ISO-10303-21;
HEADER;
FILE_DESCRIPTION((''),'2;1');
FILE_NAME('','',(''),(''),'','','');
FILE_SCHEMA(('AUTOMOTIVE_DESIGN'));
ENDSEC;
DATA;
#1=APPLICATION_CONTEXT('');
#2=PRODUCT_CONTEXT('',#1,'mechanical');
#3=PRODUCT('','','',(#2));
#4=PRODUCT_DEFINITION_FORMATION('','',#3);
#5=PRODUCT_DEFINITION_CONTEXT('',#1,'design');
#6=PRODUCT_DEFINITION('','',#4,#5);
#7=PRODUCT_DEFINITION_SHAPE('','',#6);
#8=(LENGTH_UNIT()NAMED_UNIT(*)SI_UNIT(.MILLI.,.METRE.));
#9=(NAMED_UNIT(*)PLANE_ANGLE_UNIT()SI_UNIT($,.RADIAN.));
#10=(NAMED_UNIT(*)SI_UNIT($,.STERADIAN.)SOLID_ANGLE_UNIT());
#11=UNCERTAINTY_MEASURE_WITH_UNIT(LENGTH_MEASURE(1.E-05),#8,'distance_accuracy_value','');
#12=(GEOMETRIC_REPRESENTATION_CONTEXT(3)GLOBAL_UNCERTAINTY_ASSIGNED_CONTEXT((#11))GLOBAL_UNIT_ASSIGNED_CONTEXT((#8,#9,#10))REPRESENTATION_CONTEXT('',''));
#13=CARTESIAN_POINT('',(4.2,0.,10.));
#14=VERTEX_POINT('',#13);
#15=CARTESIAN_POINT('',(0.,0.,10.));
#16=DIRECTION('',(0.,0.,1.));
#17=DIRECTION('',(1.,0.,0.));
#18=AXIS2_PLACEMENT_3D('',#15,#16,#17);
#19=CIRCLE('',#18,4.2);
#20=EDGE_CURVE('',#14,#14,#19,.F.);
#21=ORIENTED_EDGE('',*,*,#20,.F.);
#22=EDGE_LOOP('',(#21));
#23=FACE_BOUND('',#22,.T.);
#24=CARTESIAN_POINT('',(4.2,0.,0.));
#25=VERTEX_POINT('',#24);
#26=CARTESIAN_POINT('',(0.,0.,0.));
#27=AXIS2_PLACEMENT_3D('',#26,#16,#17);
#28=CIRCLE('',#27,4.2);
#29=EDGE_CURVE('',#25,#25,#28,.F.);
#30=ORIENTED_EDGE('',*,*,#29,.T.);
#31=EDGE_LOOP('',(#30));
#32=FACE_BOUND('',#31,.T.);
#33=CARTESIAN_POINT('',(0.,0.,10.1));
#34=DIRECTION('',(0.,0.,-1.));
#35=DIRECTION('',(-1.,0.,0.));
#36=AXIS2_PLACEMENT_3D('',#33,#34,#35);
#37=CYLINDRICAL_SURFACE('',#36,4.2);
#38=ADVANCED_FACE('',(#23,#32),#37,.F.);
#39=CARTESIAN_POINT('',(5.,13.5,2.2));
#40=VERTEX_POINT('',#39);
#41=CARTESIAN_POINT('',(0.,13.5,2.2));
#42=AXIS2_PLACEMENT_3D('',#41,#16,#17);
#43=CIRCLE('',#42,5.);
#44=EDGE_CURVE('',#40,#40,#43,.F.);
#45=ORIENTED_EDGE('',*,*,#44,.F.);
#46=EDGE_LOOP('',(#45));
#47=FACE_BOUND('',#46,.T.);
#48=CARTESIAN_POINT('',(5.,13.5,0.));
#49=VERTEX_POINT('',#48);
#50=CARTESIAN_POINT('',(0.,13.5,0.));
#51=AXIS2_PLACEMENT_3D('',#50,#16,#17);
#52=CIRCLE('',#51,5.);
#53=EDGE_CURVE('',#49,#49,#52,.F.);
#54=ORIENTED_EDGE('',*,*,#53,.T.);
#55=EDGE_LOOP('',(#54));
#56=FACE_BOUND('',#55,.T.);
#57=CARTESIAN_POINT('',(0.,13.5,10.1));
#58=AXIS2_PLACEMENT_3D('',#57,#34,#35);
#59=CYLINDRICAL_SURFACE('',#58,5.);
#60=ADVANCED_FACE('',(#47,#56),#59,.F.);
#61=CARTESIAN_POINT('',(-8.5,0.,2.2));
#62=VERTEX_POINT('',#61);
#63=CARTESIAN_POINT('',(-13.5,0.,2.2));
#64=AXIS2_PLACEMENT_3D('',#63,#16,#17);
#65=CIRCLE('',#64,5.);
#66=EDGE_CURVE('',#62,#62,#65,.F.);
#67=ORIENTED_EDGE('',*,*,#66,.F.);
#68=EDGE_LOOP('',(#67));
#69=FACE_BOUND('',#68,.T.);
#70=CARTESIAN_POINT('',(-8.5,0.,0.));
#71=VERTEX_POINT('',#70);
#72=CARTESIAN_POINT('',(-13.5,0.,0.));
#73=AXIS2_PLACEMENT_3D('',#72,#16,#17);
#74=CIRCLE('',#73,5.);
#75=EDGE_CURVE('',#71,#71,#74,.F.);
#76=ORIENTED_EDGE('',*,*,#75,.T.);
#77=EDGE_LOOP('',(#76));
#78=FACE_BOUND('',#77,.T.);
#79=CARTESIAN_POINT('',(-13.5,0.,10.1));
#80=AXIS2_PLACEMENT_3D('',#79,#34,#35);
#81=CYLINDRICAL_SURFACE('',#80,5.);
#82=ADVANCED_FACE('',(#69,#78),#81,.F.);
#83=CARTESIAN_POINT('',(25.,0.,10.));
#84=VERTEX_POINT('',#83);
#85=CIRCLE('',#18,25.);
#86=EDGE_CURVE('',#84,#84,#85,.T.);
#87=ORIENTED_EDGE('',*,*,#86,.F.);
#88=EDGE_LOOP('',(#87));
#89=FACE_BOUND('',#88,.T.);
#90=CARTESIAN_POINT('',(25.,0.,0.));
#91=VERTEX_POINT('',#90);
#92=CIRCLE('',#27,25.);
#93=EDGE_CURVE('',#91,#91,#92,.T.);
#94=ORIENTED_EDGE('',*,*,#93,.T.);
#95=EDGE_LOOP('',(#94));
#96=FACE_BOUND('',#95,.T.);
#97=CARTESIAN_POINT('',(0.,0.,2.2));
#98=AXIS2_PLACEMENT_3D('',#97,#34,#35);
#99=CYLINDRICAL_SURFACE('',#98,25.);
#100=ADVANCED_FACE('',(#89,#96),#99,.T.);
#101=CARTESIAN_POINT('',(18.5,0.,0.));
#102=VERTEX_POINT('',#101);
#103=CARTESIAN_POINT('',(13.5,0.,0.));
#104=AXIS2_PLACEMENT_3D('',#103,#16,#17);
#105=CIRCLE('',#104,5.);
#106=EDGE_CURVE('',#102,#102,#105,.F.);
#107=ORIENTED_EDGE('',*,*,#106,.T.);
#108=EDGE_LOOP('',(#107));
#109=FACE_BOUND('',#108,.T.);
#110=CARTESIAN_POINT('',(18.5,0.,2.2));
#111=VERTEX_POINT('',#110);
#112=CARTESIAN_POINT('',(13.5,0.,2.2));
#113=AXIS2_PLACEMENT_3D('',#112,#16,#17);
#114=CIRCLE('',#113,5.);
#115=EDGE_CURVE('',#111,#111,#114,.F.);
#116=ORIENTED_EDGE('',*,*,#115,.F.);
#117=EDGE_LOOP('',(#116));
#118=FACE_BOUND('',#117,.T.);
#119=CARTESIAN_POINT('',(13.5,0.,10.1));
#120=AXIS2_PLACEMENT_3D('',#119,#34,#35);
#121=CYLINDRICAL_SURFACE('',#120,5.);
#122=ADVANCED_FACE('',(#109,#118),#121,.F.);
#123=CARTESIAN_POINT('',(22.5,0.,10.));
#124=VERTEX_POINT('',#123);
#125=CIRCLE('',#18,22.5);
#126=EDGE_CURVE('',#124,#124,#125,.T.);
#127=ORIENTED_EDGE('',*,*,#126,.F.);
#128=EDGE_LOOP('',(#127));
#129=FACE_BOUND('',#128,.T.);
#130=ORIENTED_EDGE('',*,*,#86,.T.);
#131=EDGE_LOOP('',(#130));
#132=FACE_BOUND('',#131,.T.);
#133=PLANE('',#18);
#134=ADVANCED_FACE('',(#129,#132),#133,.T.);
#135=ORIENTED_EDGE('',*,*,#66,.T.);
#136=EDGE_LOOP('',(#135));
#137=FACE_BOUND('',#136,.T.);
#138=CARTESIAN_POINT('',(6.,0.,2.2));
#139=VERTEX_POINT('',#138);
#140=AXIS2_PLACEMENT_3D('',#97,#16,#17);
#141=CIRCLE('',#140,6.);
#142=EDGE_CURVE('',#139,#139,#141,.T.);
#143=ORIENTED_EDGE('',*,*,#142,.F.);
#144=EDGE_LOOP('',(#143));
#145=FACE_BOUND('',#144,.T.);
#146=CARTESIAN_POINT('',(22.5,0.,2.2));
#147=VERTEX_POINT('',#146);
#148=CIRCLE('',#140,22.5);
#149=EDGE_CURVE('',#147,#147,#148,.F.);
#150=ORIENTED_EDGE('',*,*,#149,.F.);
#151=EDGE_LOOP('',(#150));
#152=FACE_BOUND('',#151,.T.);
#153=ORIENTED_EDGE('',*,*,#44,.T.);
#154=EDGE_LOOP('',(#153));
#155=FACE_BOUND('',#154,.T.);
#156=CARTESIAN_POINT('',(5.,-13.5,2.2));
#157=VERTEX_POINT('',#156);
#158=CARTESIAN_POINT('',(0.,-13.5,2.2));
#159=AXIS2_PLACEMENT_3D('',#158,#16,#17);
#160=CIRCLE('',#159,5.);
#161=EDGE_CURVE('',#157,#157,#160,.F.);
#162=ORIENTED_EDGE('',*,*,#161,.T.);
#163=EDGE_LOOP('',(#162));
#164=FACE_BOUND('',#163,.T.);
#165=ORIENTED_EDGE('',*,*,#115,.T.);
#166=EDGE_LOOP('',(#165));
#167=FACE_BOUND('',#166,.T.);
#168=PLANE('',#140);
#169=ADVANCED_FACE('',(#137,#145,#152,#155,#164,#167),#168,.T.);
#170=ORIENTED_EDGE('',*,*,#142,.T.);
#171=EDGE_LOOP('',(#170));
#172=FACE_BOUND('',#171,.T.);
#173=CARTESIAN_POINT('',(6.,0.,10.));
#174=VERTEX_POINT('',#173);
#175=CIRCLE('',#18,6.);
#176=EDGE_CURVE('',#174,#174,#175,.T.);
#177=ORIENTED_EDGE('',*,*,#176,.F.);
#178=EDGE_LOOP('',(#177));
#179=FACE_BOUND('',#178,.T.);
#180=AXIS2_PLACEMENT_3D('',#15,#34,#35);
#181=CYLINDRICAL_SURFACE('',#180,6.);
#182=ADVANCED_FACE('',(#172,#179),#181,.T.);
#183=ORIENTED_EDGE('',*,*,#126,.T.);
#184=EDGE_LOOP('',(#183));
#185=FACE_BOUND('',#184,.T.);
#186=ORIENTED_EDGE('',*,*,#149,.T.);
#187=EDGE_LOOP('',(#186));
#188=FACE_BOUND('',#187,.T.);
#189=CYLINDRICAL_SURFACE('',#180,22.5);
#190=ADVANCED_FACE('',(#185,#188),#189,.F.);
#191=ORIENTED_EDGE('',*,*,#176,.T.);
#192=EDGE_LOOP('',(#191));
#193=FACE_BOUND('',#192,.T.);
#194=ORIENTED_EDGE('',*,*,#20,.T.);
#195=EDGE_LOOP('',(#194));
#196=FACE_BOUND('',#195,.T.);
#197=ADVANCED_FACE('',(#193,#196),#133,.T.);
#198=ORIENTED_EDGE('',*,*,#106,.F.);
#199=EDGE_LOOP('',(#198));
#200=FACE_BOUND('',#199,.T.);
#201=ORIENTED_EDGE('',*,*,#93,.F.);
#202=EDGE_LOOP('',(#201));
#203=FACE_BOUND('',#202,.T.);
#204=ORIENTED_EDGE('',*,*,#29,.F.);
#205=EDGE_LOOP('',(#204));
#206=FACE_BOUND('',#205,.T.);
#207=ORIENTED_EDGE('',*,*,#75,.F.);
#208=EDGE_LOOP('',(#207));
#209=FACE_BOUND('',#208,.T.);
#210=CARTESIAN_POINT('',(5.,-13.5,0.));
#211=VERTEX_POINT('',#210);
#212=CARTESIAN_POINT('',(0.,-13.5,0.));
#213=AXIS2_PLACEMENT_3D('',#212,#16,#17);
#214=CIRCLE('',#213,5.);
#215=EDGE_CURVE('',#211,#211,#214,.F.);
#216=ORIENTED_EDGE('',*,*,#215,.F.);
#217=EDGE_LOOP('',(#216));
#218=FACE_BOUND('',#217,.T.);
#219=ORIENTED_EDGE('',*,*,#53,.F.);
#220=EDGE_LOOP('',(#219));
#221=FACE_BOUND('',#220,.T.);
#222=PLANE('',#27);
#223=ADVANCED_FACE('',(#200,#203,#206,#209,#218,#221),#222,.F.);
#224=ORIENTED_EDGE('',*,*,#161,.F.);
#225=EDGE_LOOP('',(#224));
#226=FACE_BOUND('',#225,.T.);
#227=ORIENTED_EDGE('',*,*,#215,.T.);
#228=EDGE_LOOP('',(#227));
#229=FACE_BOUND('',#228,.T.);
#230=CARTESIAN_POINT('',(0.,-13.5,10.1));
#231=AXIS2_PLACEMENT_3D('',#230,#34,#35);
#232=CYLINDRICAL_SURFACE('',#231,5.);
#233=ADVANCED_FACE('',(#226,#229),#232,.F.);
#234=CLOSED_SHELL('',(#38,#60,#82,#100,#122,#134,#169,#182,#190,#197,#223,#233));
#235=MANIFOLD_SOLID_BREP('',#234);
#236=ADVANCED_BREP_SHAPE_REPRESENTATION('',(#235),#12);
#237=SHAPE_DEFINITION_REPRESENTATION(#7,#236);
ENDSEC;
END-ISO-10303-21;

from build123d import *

# Parameters (mm, degrees)
SKETCH1_R                 = 25
WHEEL_WEB_50MM_DEPTH      = 2.2
OUTER_RIM_10MM_WIDE_START = 2.2
SKETCH2_R                 = 25
SKETCH2_R_2               = 22.5
OUTER_RIM_10MM_WIDE_DEPTH = 7.8
HUB_12MM_START            = 2.2
SKETCH3_R                 = 6
HUB_12MM_DEPTH            = 7.8
AXLE_BORE_FIT_CHECK_START = -0.1
SKETCH4_R                 = 4.2
AXLE_BORE_FIT_CHECK_DEPTH = 10.2
LIGHTENING_X_13_5_START   = -0.1
SKETCH5_R                 = 5
LIGHTENING_X_13_5_DEPTH   = 10.2
SKETCH6_R                 = 5
LIGHTENING_X_13_5_2_DEPTH = 10.2
LIGHTENING_Y_13_5_START   = -0.1
SKETCH7_R                 = 5
LIGHTENING_Y_13_5_DEPTH   = 10.2
SKETCH8_R                 = 5
LIGHTENING_Y_13_5_2_DEPTH = 10.2


with BuildPart() as part:
    # Sketch1 → Wheel_Web_50mm (new body)
    with BuildSketch(Plane.XY):
        Circle(SKETCH1_R)
    extrude(amount=WHEEL_WEB_50MM_DEPTH)

    # Sketch2 → Outer_Rim_10mm_Wide (add)
    with BuildSketch(Plane.XY.offset(OUTER_RIM_10MM_WIDE_START)):
        Circle(SKETCH2_R)
        Circle(SKETCH2_R_2, mode=Mode.SUBTRACT)
    extrude(amount=OUTER_RIM_10MM_WIDE_DEPTH)

    # Sketch3 → Hub_12mm (add)
    with BuildSketch(Plane.XY.offset(HUB_12MM_START)):
        Circle(SKETCH3_R)
    extrude(amount=HUB_12MM_DEPTH)

    # Sketch4 → Axle_Bore_FIT_CHECK (cut)
    with BuildSketch(Plane.XY.offset(AXLE_BORE_FIT_CHECK_START)):
        Circle(SKETCH4_R)
    extrude(amount=AXLE_BORE_FIT_CHECK_DEPTH, mode=Mode.SUBTRACT)

    # Sketch5 → Lightening_X_-13.5 (cut)
    with BuildSketch(Plane.XY.offset(LIGHTENING_X_13_5_START)):
        with Locations((-13.5, 0)):
            Circle(SKETCH5_R)
    extrude(amount=LIGHTENING_X_13_5_DEPTH, mode=Mode.SUBTRACT)

    # Sketch6 → Lightening_X_13.5 2 (cut)
    with BuildSketch(Plane.XY.offset(LIGHTENING_X_13_5_START)):
        with Locations((13.5, 0)):
            Circle(SKETCH6_R)
    extrude(amount=LIGHTENING_X_13_5_2_DEPTH, mode=Mode.SUBTRACT)

    # Sketch7 → Lightening_Y_-13.5 (cut)
    with BuildSketch(Plane.XY.offset(LIGHTENING_Y_13_5_START)):
        with Locations((0, -13.5)):
            Circle(SKETCH7_R)
    extrude(amount=LIGHTENING_Y_13_5_DEPTH, mode=Mode.SUBTRACT)

    # Sketch8 → Lightening_Y_13.5 2 (cut)
    with BuildSketch(Plane.XY.offset(LIGHTENING_Y_13_5_START)):
        with Locations((0, 13.5)):
            Circle(SKETCH8_R)
    extrude(amount=LIGHTENING_Y_13_5_2_DEPTH, mode=Mode.SUBTRACT)


solid = part.part
